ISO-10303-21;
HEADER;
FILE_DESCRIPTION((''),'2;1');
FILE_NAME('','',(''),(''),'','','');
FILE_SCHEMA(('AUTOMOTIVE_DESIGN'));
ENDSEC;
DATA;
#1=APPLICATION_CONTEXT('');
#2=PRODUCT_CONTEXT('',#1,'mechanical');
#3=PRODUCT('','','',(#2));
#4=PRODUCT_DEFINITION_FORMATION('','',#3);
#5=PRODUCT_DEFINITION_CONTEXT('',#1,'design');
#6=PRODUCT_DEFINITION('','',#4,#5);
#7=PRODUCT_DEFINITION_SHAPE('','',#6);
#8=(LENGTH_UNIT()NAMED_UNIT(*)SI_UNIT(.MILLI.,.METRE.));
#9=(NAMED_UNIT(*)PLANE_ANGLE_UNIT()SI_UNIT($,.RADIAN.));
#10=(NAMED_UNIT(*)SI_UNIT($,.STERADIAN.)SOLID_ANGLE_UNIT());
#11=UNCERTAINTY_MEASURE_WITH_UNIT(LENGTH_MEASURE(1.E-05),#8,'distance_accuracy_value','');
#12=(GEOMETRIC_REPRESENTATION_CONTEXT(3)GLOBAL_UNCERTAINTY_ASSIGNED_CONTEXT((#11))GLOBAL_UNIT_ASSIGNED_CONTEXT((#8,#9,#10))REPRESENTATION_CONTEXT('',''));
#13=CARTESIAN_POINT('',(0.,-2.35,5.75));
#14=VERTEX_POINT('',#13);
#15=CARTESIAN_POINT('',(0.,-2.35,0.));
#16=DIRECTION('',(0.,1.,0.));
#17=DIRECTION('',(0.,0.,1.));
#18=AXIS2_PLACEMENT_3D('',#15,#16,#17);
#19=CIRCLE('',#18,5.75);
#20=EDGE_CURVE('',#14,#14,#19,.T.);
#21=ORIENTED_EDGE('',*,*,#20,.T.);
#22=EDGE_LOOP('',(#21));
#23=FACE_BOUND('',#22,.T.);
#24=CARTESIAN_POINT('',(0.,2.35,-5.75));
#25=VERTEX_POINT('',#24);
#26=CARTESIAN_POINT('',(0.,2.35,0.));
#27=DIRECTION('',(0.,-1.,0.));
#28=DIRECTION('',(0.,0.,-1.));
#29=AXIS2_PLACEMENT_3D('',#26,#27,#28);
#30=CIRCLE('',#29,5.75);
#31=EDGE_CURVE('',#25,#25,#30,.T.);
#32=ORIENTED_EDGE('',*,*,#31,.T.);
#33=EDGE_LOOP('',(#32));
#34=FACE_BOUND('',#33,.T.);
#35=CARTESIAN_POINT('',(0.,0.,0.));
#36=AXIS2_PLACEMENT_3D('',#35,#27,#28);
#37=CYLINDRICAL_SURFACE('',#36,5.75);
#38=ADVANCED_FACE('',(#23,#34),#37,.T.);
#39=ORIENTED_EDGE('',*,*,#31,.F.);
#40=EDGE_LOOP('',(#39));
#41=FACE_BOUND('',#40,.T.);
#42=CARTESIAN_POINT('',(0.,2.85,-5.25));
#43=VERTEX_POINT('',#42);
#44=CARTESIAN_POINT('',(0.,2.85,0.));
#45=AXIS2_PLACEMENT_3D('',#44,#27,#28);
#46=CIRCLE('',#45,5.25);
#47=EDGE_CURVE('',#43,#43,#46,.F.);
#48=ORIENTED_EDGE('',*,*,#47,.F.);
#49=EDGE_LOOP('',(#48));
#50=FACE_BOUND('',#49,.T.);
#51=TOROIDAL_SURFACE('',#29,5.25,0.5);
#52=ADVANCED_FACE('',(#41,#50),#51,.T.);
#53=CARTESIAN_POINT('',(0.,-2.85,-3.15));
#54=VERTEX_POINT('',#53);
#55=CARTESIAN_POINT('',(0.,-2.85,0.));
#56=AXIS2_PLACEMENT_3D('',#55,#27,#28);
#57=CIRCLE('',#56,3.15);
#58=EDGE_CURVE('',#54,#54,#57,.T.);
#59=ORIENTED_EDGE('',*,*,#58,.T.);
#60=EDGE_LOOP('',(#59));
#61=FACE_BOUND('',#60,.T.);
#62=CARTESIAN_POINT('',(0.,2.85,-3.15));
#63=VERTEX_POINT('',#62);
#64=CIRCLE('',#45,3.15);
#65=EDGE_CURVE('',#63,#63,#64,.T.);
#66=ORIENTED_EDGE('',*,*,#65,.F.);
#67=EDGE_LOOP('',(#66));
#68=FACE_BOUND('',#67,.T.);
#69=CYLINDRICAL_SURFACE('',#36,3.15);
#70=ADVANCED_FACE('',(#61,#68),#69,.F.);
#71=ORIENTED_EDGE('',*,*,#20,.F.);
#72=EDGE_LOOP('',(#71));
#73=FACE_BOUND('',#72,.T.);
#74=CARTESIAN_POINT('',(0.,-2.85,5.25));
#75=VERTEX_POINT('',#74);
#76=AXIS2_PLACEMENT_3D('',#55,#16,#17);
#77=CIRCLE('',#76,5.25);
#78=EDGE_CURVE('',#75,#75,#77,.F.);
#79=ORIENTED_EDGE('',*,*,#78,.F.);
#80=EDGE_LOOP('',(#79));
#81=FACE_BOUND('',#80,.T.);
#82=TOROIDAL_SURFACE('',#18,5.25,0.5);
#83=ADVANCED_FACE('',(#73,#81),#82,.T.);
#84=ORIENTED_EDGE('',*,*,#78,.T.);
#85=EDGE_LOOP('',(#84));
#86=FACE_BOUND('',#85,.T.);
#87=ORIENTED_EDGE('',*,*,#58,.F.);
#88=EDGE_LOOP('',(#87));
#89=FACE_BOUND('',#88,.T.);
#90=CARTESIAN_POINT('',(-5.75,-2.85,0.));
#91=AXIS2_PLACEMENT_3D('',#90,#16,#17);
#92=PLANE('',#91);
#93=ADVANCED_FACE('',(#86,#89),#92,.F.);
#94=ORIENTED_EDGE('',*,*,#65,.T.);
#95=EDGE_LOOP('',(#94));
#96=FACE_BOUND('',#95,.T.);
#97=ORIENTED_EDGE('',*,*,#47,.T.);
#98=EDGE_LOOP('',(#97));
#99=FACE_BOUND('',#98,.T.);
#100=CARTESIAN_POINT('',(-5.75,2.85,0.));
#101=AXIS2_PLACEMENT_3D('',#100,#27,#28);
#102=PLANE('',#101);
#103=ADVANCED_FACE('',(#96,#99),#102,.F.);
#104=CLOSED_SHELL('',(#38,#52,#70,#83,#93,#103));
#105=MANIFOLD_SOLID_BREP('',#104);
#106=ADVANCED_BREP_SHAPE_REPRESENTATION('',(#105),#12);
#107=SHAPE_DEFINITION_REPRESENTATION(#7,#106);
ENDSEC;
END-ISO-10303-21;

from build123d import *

# Parameters (mm, degrees)
SKETCH1_W = 2.6
SKETCH1_H = 5.7
FILLET1_R = 0.5


with BuildPart() as part:
    # Sketch1 → Revolve1 (revolve)
    with BuildSketch(Plane.XY, mode=Mode.PRIVATE) as revolve1_sk:
        with Locations((-4.45, 0)):
            Rectangle(SKETCH1_W, SKETCH1_H)
    revolve(revolve1_sk.sketch.rotate(Axis((0, 0, 0), (0, 1, 0)), 270), axis=Axis((0, 0, 0), (0, 1, 0)))

    # Fillet1
    fillet1_edges = [part.edges().sort_by_distance(p)[0] for p in [
        (0, 2.85, 5.75),
        (0, -2.85, 5.75),
    ]]
    fillet(fillet1_edges, radius=FILLET1_R)


solid = part.part
